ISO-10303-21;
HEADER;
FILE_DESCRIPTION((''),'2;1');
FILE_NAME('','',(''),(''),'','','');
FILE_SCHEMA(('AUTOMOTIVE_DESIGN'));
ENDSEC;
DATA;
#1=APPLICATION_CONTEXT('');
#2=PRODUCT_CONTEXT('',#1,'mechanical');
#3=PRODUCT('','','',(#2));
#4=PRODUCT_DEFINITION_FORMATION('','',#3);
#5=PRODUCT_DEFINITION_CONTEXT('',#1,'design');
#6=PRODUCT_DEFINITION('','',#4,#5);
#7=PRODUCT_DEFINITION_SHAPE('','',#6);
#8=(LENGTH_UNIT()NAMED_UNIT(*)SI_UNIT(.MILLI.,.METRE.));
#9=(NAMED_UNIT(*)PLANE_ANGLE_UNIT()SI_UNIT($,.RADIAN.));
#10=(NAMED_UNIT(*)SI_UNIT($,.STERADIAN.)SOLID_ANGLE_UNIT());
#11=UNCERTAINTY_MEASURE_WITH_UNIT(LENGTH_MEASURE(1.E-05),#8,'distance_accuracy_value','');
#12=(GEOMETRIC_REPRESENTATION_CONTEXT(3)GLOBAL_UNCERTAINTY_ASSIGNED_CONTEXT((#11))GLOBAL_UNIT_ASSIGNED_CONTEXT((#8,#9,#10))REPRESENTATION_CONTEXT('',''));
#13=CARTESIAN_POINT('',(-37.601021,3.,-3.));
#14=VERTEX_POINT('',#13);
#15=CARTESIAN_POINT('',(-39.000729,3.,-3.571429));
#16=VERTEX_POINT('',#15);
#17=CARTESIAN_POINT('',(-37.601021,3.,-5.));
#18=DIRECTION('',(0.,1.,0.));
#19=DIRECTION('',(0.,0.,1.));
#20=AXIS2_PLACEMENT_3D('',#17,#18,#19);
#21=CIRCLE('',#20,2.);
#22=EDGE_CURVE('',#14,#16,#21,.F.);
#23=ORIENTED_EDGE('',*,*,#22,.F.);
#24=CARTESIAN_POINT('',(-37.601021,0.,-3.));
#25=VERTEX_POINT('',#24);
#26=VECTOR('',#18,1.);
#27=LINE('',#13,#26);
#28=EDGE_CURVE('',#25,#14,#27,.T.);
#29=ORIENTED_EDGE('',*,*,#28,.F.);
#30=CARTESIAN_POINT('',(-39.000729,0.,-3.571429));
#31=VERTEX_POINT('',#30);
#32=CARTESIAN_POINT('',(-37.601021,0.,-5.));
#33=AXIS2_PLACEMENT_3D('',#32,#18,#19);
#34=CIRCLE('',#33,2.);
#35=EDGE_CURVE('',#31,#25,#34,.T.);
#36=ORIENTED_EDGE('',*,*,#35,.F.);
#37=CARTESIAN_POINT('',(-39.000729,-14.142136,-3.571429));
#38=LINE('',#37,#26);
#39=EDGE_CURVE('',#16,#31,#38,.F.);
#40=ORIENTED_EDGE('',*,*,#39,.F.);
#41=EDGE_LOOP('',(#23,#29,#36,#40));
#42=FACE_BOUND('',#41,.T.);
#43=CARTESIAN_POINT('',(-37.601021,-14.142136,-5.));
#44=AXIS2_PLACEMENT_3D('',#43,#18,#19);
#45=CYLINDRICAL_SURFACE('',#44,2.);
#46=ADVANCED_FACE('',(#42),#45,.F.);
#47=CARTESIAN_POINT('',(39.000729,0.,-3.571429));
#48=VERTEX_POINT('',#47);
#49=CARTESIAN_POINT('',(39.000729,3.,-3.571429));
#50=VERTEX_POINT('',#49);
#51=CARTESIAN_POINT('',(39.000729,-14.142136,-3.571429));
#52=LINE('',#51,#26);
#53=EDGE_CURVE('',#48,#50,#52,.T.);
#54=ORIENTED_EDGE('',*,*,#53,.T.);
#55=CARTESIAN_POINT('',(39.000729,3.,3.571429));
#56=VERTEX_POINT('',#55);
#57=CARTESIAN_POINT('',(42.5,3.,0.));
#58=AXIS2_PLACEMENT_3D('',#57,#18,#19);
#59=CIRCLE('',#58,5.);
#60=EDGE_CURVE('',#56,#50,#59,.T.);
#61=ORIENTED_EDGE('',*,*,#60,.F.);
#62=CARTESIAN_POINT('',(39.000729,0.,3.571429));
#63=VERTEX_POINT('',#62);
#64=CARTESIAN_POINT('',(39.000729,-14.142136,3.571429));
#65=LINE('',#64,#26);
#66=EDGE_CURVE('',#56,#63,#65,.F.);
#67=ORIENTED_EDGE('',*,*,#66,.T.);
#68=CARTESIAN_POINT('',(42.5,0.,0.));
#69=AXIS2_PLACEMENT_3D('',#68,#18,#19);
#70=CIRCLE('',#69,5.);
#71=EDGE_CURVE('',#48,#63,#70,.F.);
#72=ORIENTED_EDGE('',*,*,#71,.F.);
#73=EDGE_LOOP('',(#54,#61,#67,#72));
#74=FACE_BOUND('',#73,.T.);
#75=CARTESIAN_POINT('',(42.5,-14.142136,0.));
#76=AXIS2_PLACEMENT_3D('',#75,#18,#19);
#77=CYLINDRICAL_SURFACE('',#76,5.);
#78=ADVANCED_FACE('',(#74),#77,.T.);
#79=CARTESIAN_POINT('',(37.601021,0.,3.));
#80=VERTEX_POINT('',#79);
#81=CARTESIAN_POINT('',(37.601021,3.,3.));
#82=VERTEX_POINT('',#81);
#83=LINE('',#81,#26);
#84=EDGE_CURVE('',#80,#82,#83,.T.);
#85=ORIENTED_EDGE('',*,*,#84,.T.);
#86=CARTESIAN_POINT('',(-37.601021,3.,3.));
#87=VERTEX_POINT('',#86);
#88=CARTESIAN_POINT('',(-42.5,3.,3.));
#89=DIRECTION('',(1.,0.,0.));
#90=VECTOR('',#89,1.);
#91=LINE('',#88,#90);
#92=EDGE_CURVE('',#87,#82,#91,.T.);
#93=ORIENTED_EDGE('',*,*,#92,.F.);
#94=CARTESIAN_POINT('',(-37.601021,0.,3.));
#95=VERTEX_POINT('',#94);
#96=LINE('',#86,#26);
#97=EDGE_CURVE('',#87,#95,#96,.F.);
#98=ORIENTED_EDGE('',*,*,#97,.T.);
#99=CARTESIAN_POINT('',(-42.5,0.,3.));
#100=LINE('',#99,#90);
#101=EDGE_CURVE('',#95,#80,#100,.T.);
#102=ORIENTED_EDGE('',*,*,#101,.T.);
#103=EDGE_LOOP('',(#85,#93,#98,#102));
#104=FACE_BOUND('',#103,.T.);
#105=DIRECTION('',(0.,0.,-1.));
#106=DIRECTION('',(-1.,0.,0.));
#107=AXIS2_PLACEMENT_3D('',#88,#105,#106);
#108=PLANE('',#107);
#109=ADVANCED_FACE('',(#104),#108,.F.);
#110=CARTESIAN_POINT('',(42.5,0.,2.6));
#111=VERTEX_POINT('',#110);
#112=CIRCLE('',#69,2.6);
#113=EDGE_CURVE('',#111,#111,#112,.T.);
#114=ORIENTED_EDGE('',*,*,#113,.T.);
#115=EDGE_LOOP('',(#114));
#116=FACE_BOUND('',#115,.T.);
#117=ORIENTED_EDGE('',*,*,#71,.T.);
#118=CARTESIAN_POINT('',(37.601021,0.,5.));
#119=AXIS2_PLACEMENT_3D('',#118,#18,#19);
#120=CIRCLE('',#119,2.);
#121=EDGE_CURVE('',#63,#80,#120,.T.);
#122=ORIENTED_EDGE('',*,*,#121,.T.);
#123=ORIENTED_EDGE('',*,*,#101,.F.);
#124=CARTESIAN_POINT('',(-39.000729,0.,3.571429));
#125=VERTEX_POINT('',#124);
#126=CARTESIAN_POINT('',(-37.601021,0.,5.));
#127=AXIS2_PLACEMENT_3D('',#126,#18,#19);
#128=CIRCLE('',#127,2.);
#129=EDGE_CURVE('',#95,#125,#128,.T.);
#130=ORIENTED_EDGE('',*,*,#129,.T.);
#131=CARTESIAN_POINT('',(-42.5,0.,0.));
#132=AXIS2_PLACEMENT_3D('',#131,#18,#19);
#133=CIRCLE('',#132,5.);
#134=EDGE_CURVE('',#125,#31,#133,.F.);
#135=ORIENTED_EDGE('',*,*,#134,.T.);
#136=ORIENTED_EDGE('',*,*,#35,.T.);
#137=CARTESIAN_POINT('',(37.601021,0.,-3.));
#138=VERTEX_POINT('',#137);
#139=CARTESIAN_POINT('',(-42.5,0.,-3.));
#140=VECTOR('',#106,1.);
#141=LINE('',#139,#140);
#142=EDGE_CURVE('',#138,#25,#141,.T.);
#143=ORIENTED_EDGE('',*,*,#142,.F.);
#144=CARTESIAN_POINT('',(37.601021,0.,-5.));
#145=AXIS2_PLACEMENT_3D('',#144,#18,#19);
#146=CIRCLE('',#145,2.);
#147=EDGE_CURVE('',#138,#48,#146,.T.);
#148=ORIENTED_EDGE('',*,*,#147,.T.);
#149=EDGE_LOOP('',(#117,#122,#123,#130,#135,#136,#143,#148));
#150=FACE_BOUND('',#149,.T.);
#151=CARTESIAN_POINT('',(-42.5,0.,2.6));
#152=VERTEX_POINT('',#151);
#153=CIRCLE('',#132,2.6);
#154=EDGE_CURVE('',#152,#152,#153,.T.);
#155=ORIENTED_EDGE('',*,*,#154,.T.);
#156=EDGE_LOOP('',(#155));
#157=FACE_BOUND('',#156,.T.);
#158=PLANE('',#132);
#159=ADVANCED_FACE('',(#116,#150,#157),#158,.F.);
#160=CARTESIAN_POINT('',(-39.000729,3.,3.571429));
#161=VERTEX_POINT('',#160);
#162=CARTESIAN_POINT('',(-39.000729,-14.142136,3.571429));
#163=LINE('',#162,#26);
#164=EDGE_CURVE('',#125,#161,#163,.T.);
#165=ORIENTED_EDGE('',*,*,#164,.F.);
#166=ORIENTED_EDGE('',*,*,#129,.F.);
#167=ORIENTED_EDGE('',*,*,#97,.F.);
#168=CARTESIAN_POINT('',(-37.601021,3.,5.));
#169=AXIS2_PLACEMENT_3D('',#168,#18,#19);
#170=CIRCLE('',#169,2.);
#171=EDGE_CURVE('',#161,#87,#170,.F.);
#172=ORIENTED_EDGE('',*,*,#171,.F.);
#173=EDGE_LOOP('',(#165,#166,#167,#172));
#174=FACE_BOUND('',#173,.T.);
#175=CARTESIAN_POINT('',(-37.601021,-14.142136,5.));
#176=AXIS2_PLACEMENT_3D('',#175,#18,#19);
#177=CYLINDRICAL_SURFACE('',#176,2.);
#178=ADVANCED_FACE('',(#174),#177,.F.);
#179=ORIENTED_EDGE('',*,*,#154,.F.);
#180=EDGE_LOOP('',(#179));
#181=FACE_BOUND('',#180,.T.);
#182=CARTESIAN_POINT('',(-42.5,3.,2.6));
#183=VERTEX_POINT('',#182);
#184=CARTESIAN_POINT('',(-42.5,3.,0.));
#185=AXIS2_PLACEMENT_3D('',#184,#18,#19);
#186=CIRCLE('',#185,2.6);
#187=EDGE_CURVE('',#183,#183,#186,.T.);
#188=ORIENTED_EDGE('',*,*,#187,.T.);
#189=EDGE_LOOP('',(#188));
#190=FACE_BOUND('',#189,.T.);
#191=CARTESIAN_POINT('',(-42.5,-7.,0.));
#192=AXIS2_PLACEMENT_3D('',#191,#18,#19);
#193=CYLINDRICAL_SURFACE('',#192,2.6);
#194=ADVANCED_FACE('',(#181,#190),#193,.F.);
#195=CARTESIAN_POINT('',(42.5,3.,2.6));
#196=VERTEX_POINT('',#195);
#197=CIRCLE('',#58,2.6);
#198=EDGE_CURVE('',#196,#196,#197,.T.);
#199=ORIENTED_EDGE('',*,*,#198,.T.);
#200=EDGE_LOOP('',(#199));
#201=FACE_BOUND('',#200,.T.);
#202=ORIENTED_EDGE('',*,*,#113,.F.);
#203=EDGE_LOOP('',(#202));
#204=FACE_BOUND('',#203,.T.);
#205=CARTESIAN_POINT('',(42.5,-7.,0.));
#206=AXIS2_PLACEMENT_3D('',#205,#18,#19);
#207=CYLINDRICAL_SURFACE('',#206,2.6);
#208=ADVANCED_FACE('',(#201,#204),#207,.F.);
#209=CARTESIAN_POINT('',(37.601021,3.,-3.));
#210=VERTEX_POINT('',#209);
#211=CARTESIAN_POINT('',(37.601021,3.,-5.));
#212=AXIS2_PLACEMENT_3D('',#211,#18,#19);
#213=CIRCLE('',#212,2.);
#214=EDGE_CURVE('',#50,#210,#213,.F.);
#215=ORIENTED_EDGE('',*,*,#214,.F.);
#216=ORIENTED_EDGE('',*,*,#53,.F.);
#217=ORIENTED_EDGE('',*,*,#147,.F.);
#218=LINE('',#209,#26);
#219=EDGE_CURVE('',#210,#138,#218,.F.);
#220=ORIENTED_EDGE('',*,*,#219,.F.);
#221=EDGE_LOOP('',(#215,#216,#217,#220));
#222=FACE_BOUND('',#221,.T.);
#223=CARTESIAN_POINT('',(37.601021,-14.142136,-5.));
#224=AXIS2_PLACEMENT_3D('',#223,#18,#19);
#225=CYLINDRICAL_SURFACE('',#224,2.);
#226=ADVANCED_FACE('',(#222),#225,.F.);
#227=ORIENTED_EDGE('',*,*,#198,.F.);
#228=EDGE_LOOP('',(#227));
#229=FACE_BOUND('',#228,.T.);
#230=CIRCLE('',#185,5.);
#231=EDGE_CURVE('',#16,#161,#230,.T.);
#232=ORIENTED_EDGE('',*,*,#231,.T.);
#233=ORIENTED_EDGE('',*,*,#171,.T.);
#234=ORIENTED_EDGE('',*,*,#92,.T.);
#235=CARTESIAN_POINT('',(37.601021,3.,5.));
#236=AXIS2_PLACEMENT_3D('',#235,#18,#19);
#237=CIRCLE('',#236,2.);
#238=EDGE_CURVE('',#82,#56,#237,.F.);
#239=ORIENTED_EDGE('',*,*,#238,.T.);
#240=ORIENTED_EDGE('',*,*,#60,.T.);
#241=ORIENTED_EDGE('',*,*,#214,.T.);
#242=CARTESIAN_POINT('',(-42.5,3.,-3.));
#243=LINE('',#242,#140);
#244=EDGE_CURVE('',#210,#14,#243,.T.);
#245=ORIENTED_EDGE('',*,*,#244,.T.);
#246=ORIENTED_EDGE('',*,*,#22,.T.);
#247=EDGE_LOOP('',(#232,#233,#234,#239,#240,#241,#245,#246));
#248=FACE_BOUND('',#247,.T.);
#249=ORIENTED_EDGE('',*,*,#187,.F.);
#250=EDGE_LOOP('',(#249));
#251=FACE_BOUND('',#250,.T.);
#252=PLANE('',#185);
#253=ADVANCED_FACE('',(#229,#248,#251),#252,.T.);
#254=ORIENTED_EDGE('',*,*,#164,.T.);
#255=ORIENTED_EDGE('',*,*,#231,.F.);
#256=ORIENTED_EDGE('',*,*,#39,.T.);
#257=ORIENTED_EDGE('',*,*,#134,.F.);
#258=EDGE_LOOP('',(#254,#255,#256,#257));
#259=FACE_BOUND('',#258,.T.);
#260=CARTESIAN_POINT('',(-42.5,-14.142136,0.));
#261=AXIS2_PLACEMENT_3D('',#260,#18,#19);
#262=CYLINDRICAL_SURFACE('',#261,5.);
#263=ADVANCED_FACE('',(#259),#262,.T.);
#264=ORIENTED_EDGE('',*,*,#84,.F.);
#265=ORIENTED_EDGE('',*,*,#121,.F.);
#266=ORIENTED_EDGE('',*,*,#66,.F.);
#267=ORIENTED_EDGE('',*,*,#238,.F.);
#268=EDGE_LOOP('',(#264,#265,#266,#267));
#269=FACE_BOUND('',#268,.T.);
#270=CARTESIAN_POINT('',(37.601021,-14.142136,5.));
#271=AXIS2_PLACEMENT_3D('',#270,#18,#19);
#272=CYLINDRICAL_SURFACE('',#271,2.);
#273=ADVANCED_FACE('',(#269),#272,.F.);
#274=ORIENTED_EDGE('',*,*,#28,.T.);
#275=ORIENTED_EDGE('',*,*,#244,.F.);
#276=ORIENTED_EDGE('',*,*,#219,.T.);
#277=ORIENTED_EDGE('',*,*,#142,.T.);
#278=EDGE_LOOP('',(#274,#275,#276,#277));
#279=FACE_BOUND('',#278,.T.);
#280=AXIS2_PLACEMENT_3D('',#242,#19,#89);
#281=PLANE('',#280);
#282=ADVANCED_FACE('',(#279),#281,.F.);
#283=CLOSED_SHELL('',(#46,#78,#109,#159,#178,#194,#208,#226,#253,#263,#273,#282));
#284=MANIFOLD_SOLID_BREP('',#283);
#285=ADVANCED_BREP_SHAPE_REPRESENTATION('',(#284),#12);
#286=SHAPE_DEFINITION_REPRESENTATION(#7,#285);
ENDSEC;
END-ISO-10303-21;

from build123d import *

# Parameters (mm, degrees)
EXTRUDE_1_DEPTH     = 3
SKETCH_2_R          = 5
EXTRUDE_2_DEPTH     = 3
SKETCH_3_R          = 2.6
CUT_EXTRUDE_1_DEPTH = 10
FILLET_1_R          = 2


with BuildPart() as part:
    # ｽｹｯﾁ1 → ﾎﾞｽ - 押し出し1 (new body)
    with BuildSketch(Plane(origin=(0, 0, 0), x_dir=(1, 0, 0), z_dir=(0, 1, 0))):
        with BuildLine():
            Line((-42.5, 3), (42.5, 3))
            ThreePointArc((42.5, 3), (45.5, 0), (42.5, -3))
            Line((42.5, -3), (-42.5, -3))
            ThreePointArc((-42.5, -3), (-45.5, 0), (-42.5, 3))
        make_face()
    extrude(amount=EXTRUDE_1_DEPTH)

    # ｽｹｯﾁ2 → ﾎﾞｽ - 押し出し2 (add)
    with BuildSketch(Plane(origin=(0, 3, 0), x_dir=(1, 0, 0), z_dir=(0, 1, 0))):
        with Locations((-42.5, 0)):
            Circle(SKETCH_2_R)
        with Locations((42.5, 0)):
            Circle(SKETCH_2_R)
    extrude(amount=-EXTRUDE_2_DEPTH)

    # ｽｹｯﾁ3 → ｶｯﾄ - 押し出し1 (cut)
    with BuildSketch(Plane(origin=(0, 3, 0), x_dir=(1, 0, 0), z_dir=(0, 1, 0))):
        with Locations(Location((-42.5, 0, 0), (0, 0, 270))):
            Circle(SKETCH_3_R)
        with Locations(Location((42.5, 0, 0), (0, 0, 270))):
            Circle(SKETCH_3_R)
    extrude(amount=-CUT_EXTRUDE_1_DEPTH, mode=Mode.SUBTRACT)

    # ﾌｨﾚｯﾄ1
    fillet_1_edges = [part.edges().sort_by_distance(p)[0] for p in [
        (-38.5, 1.5, 3),
        (-38.5, 1.5, -3),
        (38.5, 1.5, 3),
        (38.5, 1.5, -3),
    ]]
    fillet(fillet_1_edges, radius=FILLET_1_R)


solid = part.part
